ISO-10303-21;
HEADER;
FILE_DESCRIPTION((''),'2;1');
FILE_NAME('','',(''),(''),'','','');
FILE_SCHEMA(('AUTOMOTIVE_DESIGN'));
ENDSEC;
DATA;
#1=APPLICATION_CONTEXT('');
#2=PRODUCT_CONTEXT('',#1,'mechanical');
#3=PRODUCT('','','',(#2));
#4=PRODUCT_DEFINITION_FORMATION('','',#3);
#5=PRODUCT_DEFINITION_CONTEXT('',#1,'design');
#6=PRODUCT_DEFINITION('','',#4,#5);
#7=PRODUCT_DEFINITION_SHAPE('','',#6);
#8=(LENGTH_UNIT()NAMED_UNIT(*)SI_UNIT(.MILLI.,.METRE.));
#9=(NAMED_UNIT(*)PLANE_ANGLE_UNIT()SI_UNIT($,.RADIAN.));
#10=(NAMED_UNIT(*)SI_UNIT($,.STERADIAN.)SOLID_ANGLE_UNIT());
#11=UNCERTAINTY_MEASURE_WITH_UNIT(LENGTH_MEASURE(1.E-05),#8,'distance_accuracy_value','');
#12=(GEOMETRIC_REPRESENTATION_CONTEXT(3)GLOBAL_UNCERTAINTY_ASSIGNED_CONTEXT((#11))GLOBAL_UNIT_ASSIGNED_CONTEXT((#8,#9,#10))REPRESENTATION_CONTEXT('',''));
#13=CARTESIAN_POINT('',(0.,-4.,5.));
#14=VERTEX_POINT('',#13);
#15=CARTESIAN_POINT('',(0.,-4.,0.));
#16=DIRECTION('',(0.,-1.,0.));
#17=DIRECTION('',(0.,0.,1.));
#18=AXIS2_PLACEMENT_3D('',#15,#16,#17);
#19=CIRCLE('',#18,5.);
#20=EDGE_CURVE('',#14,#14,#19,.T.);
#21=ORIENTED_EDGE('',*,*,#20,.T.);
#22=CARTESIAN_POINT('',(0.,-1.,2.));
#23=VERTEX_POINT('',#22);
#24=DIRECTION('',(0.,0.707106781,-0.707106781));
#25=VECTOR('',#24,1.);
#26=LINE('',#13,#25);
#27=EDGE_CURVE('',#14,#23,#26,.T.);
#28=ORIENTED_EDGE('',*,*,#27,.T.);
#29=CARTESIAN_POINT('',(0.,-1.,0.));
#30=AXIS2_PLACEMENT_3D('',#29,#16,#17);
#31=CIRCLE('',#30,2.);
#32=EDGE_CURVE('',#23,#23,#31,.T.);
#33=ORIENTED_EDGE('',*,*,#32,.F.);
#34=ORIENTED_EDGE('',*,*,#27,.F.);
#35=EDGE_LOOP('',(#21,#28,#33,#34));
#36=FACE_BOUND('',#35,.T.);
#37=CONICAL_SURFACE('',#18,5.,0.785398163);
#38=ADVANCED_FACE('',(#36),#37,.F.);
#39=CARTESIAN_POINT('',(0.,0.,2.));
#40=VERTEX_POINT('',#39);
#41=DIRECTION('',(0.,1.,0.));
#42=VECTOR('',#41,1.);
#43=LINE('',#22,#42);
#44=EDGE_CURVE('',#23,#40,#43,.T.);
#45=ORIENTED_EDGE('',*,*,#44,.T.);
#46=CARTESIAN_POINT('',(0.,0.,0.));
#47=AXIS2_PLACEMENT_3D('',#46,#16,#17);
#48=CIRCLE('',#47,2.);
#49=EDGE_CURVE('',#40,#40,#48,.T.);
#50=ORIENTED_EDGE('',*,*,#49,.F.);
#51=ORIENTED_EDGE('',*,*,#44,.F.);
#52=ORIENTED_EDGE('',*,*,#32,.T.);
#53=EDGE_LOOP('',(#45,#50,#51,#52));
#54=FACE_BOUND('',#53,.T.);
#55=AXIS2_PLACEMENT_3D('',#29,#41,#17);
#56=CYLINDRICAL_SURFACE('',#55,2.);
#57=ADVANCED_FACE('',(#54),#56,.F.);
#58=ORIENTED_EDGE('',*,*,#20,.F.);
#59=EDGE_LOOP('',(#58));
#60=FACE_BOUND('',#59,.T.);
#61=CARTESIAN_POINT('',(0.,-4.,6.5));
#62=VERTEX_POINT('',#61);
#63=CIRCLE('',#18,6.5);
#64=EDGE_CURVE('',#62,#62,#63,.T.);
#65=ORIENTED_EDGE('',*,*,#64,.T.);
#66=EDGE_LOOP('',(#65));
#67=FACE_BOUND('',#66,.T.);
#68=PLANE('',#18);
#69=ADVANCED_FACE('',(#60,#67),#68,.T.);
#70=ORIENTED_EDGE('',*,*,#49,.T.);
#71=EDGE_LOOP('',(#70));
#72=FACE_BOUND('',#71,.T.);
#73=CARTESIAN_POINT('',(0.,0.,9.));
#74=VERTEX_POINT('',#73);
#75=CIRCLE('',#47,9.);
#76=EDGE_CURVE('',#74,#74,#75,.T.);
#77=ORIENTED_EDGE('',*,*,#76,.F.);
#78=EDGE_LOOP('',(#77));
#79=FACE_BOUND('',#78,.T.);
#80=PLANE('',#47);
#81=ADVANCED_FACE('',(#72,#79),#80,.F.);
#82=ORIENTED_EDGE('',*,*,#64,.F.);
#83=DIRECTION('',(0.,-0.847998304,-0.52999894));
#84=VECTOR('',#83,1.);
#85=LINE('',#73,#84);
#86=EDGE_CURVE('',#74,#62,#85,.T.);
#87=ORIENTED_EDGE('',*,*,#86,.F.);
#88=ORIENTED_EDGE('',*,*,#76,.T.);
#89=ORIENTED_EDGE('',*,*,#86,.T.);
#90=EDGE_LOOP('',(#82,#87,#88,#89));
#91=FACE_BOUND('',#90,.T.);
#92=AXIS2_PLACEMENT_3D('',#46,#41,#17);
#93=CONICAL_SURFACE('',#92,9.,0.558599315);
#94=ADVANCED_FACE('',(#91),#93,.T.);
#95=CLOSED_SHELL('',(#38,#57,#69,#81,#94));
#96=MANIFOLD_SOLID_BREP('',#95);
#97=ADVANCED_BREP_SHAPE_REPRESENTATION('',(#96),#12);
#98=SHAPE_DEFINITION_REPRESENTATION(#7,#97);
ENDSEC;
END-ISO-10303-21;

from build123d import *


with BuildPart() as f1:
    # F0 (on Right) → F1 (revolve)
    with BuildSketch(Plane.YZ):
        Polygon((-1, 2), (0, 2), (0, 9), (-4, 6.5), (-4, 5), align=None)
    revolve(axis=Axis((0, -2, 0), (0, -1, 0)))


solid = f1.part
